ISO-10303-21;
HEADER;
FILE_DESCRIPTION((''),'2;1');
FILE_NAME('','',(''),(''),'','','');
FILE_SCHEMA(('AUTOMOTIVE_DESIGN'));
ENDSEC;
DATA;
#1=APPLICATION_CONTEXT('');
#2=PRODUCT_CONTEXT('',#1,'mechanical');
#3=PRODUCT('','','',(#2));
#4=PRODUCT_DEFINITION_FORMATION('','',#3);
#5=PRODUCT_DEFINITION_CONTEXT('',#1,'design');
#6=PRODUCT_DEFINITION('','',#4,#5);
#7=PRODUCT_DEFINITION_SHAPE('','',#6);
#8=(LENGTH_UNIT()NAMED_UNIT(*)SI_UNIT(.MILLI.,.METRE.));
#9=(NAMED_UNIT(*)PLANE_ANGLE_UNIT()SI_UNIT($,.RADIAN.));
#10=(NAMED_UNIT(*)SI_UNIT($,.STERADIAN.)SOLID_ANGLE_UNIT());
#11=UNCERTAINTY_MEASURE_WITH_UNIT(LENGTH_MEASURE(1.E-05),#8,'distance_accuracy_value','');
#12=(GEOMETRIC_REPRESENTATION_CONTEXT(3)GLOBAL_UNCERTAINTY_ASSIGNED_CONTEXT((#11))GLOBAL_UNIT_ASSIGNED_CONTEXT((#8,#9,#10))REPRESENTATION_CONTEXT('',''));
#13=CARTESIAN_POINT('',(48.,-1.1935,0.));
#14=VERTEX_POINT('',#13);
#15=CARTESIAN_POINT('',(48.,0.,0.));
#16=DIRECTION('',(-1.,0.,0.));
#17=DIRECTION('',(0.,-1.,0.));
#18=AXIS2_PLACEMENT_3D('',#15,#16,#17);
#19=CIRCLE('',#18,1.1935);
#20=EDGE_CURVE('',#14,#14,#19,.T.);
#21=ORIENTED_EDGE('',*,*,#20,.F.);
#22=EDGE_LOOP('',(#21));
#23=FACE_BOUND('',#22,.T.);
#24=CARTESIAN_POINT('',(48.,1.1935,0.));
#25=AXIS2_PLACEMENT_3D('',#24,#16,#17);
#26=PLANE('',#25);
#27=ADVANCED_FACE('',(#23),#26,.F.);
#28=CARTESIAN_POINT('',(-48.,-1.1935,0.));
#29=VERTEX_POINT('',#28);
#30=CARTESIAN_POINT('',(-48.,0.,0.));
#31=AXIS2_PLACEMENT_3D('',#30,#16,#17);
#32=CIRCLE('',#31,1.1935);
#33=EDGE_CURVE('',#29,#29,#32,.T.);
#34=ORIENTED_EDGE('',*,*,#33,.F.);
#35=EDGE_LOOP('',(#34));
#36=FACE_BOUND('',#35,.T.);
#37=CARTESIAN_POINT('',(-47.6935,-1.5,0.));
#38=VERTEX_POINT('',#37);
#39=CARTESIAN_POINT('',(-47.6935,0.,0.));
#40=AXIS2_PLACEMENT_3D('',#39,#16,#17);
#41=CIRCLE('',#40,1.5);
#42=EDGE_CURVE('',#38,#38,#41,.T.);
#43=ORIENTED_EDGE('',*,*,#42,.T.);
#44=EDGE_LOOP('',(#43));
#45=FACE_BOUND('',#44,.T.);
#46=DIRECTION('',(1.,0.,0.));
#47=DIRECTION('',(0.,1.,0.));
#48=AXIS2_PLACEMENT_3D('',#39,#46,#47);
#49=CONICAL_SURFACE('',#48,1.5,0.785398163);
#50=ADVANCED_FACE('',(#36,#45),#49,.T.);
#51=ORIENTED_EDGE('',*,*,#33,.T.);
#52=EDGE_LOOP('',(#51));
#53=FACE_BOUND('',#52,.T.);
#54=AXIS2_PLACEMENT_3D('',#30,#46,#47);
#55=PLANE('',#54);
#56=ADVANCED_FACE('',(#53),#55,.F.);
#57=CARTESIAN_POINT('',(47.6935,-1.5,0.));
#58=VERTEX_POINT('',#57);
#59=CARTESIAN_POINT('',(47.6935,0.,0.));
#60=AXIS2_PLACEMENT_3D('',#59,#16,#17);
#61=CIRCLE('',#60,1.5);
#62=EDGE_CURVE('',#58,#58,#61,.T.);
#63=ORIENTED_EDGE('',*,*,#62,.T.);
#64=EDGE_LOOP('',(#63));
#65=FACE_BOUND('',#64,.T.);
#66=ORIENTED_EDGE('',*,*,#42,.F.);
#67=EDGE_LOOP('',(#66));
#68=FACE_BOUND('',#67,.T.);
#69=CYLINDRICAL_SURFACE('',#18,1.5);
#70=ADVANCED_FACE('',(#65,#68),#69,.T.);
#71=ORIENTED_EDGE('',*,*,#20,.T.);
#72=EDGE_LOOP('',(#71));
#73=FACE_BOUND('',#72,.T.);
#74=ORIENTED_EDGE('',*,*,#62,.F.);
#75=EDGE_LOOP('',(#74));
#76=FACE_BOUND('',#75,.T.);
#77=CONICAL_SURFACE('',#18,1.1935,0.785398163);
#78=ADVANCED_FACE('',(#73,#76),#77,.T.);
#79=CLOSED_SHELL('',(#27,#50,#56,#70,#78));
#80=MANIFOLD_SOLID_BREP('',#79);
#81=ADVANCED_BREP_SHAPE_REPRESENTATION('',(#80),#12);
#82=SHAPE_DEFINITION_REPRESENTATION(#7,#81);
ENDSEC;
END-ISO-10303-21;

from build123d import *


with BuildPart() as part:
    # Sketch1 → Revolve1 (revolve)
    with BuildSketch(Plane.XY):
        Polygon((-48, 0), (-48, 1.1935), (-47.6935, 1.5), (47.6935, 1.5), (48, 1.1935), (48, 0), align=None)
    revolve(axis=Axis((48, 0, 0), (-1, 0, 0)))


solid = part.part
